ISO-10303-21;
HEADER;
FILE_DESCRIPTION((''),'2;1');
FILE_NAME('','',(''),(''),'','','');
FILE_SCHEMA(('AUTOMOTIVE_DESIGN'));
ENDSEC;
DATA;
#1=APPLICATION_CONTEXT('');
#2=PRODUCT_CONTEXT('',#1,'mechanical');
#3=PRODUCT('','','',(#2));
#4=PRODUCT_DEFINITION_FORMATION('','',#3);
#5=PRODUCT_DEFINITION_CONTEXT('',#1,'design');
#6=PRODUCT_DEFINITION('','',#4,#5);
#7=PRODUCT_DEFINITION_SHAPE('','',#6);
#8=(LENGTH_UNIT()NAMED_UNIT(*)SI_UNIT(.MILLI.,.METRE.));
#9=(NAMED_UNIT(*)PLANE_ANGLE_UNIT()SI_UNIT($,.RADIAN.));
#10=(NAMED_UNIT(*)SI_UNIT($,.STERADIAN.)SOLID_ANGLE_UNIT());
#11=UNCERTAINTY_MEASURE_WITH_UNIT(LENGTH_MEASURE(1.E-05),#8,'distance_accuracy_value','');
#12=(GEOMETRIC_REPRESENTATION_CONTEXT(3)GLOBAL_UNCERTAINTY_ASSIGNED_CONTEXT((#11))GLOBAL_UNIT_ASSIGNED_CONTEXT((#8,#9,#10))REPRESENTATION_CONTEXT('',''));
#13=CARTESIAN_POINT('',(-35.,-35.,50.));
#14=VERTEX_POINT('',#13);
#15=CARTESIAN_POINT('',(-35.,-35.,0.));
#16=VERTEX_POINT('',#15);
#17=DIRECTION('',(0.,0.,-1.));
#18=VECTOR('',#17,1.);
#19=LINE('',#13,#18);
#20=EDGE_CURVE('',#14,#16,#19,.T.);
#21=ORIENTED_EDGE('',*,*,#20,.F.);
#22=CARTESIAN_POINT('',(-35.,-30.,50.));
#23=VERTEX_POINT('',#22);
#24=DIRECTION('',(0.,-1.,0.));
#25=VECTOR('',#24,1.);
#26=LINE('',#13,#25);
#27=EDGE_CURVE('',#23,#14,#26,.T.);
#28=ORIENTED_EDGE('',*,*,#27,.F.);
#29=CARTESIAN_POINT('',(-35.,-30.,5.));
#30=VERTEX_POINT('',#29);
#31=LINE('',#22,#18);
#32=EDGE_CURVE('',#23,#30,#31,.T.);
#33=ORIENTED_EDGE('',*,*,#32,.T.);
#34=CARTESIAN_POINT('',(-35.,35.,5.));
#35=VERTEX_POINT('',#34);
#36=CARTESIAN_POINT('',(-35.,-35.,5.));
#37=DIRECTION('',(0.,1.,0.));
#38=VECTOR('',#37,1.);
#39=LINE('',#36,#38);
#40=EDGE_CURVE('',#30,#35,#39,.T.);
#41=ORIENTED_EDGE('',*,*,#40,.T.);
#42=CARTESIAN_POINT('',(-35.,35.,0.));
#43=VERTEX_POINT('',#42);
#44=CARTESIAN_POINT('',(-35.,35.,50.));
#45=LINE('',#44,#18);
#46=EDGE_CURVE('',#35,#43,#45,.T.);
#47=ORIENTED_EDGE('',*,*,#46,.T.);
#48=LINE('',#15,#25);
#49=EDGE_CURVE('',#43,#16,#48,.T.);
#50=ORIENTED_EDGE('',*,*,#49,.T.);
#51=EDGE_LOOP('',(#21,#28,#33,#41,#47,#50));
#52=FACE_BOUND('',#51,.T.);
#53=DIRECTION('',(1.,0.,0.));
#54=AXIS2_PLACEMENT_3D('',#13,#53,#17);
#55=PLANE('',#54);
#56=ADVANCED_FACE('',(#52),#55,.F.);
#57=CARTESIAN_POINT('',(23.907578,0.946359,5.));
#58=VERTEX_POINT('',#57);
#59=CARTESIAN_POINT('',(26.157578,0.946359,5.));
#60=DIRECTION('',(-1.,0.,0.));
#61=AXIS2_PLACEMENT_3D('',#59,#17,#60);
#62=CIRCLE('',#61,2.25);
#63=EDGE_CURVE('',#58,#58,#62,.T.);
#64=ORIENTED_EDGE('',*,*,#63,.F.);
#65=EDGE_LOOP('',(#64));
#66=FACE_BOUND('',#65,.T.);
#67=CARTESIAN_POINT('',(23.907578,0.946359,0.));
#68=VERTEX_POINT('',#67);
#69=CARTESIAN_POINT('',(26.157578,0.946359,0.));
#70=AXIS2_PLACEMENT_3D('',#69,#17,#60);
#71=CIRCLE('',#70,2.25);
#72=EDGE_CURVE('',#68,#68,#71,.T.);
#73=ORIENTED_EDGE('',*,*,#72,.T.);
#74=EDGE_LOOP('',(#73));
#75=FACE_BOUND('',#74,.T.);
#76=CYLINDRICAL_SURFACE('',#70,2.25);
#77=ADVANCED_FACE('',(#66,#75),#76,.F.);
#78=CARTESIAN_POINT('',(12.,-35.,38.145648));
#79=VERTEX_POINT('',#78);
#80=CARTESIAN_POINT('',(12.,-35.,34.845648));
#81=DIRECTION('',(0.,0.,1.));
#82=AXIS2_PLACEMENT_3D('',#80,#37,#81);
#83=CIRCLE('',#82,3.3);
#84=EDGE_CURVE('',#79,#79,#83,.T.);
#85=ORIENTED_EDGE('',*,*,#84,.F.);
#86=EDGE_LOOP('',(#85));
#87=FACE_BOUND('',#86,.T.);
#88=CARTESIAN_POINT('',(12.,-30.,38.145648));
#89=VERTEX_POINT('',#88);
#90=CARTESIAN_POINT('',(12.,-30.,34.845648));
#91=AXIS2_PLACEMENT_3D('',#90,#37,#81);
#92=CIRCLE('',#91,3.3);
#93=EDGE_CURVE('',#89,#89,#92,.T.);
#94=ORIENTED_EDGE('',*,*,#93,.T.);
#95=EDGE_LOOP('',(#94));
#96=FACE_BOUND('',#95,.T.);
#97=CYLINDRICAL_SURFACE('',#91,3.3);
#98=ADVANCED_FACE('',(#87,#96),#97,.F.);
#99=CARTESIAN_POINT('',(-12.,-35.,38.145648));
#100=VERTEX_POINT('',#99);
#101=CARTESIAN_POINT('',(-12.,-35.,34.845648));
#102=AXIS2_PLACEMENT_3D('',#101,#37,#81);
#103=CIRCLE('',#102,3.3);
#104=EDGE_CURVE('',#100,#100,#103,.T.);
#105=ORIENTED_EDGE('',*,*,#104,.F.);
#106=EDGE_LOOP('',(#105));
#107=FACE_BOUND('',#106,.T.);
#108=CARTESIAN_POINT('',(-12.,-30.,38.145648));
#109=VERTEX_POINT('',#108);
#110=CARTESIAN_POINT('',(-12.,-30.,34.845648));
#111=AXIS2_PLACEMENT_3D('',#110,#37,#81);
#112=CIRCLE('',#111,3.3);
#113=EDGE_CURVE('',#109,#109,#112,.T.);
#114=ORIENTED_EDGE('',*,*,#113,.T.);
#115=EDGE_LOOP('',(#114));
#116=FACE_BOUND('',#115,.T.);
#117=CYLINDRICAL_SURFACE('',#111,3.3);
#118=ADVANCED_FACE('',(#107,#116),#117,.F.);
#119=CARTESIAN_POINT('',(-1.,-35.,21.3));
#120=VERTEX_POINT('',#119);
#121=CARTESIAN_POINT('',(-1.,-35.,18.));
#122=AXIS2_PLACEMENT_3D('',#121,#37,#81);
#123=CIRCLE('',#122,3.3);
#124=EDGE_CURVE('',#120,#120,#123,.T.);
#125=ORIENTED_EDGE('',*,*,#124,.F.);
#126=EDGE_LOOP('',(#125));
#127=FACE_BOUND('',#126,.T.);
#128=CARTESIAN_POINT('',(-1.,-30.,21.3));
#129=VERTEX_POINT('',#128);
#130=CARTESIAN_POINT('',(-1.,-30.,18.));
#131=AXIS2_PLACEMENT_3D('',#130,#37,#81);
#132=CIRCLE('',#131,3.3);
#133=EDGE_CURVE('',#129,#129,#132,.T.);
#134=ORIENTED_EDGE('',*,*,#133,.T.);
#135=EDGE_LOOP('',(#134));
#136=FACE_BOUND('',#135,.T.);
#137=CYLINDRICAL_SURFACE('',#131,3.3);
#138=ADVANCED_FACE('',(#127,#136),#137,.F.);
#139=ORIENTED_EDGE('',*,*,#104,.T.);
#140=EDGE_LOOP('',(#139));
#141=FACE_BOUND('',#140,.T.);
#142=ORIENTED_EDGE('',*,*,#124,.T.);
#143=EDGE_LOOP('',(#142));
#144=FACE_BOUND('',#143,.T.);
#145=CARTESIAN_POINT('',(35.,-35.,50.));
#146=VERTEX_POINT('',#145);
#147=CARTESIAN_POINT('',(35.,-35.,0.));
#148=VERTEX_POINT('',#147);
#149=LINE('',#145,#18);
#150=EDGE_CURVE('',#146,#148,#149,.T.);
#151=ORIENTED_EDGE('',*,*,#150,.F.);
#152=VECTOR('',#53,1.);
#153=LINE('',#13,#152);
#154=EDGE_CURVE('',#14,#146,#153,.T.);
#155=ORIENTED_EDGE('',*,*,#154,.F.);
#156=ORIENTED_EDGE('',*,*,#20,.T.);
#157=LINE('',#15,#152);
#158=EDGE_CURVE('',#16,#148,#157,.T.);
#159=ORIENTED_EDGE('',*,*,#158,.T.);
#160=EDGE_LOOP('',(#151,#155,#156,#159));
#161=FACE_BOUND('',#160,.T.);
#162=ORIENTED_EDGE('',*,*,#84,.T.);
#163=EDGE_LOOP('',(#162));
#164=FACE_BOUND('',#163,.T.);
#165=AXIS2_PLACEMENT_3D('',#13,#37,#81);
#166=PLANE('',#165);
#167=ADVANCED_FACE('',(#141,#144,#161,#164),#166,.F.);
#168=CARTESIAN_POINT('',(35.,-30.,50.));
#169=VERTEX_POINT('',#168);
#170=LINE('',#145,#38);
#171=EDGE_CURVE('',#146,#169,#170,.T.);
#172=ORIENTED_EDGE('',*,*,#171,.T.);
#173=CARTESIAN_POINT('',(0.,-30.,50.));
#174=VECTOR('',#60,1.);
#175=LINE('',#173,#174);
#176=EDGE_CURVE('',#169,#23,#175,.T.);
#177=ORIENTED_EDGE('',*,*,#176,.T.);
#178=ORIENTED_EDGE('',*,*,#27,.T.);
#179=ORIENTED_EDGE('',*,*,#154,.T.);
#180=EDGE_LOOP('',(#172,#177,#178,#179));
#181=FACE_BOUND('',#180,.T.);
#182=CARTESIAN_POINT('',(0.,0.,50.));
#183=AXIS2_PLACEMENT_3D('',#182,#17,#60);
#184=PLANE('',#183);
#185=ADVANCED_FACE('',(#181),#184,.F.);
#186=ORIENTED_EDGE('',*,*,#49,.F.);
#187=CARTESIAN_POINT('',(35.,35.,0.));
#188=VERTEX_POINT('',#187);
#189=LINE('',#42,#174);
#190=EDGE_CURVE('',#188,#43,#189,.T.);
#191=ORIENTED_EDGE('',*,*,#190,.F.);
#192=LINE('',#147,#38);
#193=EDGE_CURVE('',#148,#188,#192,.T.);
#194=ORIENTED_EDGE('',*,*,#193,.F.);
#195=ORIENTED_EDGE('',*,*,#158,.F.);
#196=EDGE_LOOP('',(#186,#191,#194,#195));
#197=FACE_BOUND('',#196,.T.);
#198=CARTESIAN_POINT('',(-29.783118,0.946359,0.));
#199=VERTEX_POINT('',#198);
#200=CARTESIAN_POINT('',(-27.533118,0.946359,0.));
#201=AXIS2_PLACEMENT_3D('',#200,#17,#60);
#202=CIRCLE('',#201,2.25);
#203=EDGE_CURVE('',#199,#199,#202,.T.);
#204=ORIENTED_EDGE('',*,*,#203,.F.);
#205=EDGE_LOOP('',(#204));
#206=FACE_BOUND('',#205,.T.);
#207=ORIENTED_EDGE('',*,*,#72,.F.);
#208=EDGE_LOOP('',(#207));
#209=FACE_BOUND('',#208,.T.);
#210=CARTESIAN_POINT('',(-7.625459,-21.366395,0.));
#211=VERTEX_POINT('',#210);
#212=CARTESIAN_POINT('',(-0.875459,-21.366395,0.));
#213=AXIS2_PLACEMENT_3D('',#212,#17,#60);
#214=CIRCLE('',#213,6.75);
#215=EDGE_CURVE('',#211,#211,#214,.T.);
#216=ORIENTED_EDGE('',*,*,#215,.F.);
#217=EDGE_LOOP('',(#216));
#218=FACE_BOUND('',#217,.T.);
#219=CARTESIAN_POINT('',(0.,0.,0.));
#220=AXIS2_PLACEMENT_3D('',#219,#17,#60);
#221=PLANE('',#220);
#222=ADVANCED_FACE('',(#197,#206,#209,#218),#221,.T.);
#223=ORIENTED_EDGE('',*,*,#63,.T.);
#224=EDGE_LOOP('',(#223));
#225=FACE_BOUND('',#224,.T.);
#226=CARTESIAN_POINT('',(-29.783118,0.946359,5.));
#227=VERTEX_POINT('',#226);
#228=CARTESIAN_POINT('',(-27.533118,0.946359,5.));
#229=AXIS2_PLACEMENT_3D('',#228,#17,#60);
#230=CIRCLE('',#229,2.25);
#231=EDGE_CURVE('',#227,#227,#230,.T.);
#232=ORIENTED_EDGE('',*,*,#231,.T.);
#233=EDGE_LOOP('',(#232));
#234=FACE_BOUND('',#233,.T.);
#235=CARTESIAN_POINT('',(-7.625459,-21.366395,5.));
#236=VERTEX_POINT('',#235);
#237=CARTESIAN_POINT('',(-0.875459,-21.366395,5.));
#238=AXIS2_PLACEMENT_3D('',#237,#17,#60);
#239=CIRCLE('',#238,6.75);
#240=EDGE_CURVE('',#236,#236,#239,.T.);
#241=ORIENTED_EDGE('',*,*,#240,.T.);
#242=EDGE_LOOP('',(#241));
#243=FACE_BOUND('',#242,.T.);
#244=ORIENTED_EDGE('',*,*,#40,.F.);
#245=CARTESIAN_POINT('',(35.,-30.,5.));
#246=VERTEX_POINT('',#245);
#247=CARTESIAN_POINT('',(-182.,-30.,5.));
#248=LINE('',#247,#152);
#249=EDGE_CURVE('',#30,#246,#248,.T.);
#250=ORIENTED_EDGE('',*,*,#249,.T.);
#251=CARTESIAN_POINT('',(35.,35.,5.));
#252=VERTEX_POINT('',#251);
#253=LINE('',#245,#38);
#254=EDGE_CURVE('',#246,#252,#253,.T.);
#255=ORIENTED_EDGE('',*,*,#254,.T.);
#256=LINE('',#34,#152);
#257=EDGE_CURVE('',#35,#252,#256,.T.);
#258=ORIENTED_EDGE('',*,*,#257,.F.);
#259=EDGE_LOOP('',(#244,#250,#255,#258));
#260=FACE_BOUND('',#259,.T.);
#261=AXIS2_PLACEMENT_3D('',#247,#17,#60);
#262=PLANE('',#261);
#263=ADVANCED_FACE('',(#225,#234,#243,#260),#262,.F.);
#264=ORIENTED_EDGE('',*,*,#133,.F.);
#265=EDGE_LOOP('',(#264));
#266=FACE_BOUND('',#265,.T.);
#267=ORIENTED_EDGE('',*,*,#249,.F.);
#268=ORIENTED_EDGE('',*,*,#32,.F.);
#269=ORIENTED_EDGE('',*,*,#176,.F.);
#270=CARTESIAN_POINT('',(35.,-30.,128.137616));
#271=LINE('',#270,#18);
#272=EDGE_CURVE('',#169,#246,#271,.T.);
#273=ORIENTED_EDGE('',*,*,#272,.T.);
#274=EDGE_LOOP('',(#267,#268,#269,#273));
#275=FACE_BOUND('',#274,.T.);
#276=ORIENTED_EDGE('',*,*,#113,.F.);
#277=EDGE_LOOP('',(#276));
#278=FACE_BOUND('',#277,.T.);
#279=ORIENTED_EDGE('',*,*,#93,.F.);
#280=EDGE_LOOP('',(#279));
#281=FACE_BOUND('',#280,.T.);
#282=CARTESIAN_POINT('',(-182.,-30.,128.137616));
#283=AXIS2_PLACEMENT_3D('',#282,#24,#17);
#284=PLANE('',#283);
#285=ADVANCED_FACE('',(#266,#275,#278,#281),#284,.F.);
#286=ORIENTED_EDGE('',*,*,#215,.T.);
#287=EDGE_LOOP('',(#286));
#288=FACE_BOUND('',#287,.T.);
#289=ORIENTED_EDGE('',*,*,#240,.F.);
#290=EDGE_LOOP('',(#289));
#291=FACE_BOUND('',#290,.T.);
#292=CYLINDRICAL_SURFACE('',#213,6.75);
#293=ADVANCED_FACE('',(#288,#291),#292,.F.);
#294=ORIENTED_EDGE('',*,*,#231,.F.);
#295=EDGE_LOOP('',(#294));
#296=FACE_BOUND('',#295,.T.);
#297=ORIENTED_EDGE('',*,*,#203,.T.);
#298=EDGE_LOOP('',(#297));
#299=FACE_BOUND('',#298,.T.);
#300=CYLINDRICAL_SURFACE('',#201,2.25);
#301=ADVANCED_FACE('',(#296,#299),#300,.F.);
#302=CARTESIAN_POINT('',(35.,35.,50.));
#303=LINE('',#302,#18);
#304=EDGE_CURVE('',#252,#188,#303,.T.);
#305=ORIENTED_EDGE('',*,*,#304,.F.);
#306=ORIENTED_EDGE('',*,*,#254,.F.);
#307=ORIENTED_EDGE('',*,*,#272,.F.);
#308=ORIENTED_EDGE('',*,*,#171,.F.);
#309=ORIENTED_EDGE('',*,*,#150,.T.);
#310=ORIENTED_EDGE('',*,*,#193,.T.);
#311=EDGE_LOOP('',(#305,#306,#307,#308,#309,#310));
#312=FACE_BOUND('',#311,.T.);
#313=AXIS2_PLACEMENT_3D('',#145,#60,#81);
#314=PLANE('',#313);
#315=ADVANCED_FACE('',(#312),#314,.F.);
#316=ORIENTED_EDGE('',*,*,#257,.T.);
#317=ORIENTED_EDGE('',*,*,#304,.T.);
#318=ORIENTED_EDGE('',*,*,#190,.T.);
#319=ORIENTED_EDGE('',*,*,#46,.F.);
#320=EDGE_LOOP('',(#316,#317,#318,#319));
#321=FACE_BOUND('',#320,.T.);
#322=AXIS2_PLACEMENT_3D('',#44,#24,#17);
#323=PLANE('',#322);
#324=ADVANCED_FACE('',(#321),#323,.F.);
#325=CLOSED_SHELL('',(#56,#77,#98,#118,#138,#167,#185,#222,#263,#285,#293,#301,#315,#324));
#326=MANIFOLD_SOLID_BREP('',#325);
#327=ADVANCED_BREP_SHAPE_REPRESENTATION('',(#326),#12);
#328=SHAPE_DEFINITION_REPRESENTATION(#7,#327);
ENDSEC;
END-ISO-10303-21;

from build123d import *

# Parameters (mm, degrees)
ESQUISSE1_W             = 70
ESQUISSE1_H             = 70
BOSS_EXTRU_1_DEPTH      = 50
ESQUISSE2_W             = 123.137615707
ESQUISSE2_H             = 86.86411441
ENL_V_MAT_EXTRU_1_DEPTH = 217
D_GAGEMENT_M41_D        = 4.5
D_GAGEMENT_M121_D       = 13.5
M6_CLEARANCE_HOLE1_D    = 6.6


with BuildPart() as part:
    # Esquisse1 → Boss.-Extru.1 (new body)
    with BuildSketch(Plane.XY):
        Rectangle(ESQUISSE1_W, ESQUISSE1_H)
    extrude(amount=BOSS_EXTRU_1_DEPTH)

    # Esquisse2 → Enlèv. mat.-Extru.1 (cut)
    with BuildSketch(Plane(origin=(35, 0, 0), x_dir=(0, 0, -1), z_dir=(1, 0, 0))):
        with Locations((-66.568807854, 13.432057205)):
            Rectangle(ESQUISSE2_W, ESQUISSE2_H)
    extrude(amount=-ENL_V_MAT_EXTRU_1_DEPTH, mode=Mode.SUBTRACT)

    # Dégagement M41 (through all)
    with Locations(Plane(origin=(0, 0, 0), x_dir=(-1, 0, 0), z_dir=(0, 0, -1))):
        with Locations((-26.157577905, 0.946358973), (27.533117647, 0.946358973)):
            Hole(D_GAGEMENT_M41_D / 2)

    # Dégagement M121 (through all)
    with Locations(Plane(origin=(0, 0, 0), x_dir=(-1, 0, 0), z_dir=(0, 0, -1))):
        with Locations((0.875458958, -21.366395267)):
            Hole(D_GAGEMENT_M121_D / 2)

    # M6 Clearance Hole1 (through all)
    with Locations(Plane(origin=(0, -30, 0), x_dir=(1, 0, 0), z_dir=(0, 1, 0))):
        with Locations((-12, -34.845648012), (12, -34.845648012), (-1, -18)):
            Hole(M6_CLEARANCE_HOLE1_D / 2)


solid = part.part
